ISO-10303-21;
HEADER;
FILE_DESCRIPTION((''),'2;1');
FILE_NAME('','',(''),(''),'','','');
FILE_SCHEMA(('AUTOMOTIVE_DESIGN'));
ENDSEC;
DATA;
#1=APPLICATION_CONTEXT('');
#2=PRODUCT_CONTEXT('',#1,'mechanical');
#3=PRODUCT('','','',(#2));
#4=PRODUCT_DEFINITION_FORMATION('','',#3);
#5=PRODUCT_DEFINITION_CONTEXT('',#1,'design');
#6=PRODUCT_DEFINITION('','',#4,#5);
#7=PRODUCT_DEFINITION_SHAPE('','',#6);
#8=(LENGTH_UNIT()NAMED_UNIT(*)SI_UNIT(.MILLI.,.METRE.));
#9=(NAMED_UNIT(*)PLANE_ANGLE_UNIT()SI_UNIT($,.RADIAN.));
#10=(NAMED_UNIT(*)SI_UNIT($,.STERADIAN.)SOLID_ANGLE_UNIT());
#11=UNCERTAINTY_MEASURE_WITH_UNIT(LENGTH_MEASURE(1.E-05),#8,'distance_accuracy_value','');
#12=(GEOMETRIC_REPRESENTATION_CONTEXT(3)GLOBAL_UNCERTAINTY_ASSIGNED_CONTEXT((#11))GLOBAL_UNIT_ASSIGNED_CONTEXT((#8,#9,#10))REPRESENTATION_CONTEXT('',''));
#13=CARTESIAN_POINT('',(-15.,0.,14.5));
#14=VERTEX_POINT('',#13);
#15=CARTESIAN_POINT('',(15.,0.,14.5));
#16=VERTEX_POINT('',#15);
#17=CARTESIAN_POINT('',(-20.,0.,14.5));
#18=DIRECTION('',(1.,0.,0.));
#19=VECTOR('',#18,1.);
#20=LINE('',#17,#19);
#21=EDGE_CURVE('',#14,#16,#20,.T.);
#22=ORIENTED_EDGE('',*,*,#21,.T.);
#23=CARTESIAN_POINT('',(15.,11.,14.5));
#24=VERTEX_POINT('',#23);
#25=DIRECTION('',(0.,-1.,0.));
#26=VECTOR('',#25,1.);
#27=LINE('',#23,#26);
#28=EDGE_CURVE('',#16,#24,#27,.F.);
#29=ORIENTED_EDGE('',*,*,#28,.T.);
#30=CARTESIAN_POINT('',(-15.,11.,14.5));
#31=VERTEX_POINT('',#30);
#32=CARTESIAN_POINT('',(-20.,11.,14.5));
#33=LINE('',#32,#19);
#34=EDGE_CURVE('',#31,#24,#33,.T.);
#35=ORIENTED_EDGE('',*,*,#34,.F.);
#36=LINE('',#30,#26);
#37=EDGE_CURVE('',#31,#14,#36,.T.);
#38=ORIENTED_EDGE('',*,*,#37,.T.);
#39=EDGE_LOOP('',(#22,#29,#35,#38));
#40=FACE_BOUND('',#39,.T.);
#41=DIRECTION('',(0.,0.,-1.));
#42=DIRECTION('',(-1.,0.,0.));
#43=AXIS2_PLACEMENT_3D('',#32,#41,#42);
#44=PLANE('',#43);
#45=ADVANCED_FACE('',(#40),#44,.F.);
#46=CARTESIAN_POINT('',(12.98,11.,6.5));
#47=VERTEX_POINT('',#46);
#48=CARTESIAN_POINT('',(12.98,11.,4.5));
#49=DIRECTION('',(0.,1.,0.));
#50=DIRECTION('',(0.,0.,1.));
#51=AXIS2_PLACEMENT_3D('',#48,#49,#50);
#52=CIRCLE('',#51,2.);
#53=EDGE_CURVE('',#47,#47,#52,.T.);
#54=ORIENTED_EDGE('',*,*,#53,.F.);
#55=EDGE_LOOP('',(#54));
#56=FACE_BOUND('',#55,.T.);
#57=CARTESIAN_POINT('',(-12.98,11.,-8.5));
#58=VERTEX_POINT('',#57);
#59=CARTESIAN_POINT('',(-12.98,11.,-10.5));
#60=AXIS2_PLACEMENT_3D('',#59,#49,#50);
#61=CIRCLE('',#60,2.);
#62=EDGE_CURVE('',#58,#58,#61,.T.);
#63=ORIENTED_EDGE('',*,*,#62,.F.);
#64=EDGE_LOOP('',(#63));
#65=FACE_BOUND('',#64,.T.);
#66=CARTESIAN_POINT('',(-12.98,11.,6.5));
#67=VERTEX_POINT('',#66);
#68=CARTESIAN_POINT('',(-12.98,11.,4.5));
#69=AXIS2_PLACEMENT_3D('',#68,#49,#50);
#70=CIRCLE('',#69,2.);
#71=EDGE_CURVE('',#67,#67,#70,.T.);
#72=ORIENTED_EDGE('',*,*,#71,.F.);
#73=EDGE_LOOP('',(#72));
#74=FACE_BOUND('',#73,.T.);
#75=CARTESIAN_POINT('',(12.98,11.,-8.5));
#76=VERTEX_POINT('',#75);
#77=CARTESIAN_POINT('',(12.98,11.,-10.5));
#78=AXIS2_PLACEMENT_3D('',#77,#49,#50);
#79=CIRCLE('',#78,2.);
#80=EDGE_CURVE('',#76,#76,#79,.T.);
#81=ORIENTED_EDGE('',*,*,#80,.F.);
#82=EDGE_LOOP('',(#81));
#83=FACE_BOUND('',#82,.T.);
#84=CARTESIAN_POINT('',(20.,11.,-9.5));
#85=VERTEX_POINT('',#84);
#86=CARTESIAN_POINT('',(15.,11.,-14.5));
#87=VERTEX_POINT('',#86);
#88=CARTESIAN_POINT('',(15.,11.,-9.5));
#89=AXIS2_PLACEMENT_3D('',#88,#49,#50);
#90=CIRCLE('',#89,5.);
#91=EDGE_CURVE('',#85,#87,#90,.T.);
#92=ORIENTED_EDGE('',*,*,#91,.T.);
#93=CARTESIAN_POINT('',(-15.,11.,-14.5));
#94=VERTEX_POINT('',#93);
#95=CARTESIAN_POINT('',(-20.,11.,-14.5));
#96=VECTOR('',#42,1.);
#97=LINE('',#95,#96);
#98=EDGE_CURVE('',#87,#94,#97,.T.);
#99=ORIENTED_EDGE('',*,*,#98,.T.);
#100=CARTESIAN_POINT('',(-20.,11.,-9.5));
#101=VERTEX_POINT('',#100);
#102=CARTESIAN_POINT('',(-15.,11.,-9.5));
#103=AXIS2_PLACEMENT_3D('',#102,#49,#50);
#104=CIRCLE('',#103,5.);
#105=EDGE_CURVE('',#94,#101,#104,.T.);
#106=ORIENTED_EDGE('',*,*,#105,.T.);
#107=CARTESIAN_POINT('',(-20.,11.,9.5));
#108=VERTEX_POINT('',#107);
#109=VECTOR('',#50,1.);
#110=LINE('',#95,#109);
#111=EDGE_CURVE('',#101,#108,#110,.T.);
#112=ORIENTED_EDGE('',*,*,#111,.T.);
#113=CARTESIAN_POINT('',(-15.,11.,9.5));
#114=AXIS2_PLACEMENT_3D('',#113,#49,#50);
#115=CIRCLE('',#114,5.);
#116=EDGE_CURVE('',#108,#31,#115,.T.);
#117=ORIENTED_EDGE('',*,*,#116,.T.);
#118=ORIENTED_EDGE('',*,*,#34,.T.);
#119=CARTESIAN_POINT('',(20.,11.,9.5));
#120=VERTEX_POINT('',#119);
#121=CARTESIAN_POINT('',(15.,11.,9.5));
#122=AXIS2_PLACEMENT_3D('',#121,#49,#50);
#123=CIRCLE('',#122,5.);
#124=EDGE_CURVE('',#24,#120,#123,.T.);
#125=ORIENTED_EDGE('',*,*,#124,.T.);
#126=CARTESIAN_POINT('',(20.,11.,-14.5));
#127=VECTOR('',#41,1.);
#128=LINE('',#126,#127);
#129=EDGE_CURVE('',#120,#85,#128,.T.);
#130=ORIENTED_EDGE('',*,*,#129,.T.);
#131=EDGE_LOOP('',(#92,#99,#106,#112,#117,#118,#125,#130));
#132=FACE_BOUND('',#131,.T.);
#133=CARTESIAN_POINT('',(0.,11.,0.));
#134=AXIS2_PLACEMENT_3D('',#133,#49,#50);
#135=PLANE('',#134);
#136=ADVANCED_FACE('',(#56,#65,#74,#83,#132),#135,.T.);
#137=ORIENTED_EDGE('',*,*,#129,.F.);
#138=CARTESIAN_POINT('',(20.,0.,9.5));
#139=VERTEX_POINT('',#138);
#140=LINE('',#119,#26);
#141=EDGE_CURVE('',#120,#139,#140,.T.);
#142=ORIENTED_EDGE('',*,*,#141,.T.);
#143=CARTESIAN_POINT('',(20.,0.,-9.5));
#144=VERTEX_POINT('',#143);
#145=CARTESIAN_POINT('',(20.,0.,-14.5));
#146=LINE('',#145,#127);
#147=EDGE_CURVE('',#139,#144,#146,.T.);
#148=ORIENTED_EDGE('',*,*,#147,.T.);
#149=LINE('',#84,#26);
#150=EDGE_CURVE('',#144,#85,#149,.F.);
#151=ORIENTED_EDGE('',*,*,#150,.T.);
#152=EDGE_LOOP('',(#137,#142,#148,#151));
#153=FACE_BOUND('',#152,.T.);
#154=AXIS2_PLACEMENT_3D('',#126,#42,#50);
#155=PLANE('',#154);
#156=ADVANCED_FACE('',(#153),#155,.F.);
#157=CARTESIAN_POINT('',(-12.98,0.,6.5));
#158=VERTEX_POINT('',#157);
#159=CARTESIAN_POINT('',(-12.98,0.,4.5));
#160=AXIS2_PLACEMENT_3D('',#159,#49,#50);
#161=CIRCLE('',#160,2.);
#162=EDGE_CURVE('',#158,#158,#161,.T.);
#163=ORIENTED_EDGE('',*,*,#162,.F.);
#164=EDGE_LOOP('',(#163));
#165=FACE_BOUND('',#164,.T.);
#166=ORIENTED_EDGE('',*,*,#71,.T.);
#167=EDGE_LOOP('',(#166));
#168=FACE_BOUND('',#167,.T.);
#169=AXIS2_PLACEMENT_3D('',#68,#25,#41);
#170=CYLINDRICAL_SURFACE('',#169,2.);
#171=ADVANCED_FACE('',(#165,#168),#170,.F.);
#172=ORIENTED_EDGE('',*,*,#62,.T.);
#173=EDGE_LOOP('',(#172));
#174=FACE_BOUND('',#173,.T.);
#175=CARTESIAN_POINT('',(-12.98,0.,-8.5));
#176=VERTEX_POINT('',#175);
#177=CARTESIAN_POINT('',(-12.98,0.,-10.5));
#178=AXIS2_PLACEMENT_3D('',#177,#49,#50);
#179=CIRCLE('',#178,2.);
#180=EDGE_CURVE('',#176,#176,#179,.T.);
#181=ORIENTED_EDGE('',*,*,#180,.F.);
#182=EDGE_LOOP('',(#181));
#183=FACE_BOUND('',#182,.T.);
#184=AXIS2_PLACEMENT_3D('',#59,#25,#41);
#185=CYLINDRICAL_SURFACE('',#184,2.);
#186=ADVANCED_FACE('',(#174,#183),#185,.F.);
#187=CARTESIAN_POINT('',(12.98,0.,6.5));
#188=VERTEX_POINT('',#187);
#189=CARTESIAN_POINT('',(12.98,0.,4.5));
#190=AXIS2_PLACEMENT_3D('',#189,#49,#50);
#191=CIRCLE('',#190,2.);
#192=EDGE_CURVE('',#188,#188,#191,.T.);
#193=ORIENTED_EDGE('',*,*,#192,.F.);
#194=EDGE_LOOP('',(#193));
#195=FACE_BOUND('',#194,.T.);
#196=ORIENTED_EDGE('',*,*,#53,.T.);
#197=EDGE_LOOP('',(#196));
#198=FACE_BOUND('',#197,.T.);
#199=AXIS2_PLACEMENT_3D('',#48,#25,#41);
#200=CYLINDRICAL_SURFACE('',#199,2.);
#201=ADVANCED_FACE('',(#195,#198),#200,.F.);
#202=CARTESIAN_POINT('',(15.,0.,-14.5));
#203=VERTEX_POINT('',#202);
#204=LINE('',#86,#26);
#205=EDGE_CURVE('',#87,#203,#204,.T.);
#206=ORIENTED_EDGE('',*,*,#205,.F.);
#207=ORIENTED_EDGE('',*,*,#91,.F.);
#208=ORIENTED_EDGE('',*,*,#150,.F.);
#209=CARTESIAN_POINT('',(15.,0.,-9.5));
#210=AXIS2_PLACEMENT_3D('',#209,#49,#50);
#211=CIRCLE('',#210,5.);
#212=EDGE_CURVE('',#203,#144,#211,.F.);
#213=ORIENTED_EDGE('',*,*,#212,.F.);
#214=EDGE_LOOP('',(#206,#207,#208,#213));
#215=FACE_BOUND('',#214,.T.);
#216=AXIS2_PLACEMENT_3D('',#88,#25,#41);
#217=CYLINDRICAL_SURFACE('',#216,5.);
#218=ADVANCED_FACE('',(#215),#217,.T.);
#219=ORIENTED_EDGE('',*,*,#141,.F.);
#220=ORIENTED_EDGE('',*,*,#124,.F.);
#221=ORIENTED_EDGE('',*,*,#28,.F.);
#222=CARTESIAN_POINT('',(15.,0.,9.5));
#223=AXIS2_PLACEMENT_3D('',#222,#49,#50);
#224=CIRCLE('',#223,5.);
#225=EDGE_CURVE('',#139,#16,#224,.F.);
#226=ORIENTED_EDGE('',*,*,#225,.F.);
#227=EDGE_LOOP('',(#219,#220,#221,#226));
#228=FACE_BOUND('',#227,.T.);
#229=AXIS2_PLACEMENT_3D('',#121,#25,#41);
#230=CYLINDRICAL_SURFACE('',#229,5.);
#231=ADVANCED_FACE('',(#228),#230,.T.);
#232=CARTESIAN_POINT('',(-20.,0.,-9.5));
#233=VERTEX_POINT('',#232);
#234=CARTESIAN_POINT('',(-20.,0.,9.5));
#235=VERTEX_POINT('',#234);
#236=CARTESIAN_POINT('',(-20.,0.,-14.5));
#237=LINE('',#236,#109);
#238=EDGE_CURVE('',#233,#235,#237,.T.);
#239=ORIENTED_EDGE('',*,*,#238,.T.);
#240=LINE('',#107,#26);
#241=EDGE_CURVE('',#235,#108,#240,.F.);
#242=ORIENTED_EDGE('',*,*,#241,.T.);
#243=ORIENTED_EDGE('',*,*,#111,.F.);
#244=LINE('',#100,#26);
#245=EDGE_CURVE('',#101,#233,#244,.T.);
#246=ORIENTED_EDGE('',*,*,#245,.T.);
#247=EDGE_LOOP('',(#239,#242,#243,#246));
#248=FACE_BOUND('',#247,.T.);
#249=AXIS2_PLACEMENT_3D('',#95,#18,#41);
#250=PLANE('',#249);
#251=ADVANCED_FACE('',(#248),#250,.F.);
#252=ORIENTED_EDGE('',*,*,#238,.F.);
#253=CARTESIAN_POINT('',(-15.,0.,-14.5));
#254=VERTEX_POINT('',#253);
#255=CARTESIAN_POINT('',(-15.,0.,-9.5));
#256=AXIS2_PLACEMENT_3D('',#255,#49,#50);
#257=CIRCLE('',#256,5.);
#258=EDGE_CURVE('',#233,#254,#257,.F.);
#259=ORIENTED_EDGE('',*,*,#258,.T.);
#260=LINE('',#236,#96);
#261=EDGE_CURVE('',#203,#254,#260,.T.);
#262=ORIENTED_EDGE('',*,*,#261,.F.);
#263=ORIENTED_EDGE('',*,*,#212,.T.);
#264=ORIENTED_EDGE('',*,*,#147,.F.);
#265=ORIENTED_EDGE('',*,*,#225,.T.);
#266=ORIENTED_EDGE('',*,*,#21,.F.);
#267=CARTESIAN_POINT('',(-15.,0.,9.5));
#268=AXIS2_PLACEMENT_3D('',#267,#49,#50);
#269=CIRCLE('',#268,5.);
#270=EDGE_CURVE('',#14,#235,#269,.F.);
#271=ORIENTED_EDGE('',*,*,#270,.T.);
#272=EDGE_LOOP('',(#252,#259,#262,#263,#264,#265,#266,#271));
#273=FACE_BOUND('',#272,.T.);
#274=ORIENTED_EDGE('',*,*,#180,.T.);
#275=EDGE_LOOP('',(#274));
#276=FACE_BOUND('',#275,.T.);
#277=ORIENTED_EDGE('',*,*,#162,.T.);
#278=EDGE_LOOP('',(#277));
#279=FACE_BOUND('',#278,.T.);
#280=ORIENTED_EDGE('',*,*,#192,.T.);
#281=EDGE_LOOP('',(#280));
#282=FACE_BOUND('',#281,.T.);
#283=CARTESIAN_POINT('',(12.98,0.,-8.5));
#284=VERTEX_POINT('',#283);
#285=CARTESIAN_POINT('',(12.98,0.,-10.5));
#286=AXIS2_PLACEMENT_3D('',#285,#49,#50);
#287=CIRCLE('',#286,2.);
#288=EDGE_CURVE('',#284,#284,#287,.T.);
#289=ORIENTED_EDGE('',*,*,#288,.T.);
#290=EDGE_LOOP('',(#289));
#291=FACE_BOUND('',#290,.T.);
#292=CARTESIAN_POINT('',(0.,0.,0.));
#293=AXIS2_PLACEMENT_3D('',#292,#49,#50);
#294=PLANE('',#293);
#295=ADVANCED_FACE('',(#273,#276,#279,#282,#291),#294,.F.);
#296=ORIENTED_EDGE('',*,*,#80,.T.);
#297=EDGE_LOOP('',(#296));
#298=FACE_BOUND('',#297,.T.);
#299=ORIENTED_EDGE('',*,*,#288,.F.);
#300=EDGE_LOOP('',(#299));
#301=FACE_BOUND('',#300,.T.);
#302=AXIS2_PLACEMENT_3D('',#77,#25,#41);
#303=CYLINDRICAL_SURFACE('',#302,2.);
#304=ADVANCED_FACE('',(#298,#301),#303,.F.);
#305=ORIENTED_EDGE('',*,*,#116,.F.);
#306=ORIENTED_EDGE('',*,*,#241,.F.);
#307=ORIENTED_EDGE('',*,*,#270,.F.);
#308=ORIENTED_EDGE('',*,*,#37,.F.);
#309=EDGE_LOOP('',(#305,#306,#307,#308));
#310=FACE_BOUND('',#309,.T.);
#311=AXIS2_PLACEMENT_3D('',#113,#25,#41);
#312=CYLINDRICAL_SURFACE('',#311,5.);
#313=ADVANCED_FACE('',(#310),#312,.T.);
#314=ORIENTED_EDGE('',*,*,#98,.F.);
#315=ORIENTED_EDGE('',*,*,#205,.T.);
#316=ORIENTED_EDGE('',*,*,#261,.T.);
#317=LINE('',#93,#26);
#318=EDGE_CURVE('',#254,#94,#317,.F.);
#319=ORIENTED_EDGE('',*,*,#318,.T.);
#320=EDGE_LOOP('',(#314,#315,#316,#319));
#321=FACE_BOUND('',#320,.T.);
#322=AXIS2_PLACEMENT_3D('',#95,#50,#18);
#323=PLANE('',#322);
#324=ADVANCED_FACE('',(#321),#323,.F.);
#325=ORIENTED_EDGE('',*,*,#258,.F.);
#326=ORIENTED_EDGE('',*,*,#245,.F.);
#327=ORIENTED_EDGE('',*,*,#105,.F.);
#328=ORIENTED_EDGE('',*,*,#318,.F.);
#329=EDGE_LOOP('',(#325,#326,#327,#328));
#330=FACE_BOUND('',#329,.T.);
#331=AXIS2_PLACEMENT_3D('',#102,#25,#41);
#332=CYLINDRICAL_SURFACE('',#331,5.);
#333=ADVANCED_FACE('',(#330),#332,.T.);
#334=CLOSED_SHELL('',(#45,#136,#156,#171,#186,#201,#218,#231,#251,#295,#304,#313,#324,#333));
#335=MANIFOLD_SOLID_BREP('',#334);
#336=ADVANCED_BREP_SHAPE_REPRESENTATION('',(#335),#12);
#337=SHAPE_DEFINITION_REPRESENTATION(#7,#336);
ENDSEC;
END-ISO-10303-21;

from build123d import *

# Parameters (mm, degrees)
SKETCH_1_W      = 40
SKETCH_1_H      = 29
SKETCH_1_R      = 2
EXTRUDE_1_DEPTH = 11
FILLET_1_R      = 5


with BuildPart() as part:
    # 草圖1 → 填料-伸長1 (new body)
    with BuildSketch(Plane(origin=(0, 0, 0), x_dir=(1, 0, 0), z_dir=(0, 1, 0))):
        Rectangle(SKETCH_1_W, SKETCH_1_H)
        with Locations(Location((12.98, 10.5, 0), (0, 0, 270))):
            Circle(SKETCH_1_R, mode=Mode.SUBTRACT)
        with Locations(Location((-12.98, 10.5, 0), (0, 0, 270))):
            Circle(SKETCH_1_R, mode=Mode.SUBTRACT)
        with Locations(Location((-12.98, -4.5, 0), (0, 0, 270))):
            Circle(SKETCH_1_R, mode=Mode.SUBTRACT)
        with Locations(Location((12.98, -4.5, 0), (0, 0, 270))):
            Circle(SKETCH_1_R, mode=Mode.SUBTRACT)
    extrude(amount=EXTRUDE_1_DEPTH)

    # 圓角1
    fillet_1_edges = [part.edges().sort_by_distance(p)[0] for p in [
        (20, 5.5, 14.5),
        (-20, 5.5, 14.5),
        (-20, 5.5, -14.5),
        (20, 5.5, -14.5),
    ]]
    fillet(fillet_1_edges, radius=FILLET_1_R)


solid = part.part
